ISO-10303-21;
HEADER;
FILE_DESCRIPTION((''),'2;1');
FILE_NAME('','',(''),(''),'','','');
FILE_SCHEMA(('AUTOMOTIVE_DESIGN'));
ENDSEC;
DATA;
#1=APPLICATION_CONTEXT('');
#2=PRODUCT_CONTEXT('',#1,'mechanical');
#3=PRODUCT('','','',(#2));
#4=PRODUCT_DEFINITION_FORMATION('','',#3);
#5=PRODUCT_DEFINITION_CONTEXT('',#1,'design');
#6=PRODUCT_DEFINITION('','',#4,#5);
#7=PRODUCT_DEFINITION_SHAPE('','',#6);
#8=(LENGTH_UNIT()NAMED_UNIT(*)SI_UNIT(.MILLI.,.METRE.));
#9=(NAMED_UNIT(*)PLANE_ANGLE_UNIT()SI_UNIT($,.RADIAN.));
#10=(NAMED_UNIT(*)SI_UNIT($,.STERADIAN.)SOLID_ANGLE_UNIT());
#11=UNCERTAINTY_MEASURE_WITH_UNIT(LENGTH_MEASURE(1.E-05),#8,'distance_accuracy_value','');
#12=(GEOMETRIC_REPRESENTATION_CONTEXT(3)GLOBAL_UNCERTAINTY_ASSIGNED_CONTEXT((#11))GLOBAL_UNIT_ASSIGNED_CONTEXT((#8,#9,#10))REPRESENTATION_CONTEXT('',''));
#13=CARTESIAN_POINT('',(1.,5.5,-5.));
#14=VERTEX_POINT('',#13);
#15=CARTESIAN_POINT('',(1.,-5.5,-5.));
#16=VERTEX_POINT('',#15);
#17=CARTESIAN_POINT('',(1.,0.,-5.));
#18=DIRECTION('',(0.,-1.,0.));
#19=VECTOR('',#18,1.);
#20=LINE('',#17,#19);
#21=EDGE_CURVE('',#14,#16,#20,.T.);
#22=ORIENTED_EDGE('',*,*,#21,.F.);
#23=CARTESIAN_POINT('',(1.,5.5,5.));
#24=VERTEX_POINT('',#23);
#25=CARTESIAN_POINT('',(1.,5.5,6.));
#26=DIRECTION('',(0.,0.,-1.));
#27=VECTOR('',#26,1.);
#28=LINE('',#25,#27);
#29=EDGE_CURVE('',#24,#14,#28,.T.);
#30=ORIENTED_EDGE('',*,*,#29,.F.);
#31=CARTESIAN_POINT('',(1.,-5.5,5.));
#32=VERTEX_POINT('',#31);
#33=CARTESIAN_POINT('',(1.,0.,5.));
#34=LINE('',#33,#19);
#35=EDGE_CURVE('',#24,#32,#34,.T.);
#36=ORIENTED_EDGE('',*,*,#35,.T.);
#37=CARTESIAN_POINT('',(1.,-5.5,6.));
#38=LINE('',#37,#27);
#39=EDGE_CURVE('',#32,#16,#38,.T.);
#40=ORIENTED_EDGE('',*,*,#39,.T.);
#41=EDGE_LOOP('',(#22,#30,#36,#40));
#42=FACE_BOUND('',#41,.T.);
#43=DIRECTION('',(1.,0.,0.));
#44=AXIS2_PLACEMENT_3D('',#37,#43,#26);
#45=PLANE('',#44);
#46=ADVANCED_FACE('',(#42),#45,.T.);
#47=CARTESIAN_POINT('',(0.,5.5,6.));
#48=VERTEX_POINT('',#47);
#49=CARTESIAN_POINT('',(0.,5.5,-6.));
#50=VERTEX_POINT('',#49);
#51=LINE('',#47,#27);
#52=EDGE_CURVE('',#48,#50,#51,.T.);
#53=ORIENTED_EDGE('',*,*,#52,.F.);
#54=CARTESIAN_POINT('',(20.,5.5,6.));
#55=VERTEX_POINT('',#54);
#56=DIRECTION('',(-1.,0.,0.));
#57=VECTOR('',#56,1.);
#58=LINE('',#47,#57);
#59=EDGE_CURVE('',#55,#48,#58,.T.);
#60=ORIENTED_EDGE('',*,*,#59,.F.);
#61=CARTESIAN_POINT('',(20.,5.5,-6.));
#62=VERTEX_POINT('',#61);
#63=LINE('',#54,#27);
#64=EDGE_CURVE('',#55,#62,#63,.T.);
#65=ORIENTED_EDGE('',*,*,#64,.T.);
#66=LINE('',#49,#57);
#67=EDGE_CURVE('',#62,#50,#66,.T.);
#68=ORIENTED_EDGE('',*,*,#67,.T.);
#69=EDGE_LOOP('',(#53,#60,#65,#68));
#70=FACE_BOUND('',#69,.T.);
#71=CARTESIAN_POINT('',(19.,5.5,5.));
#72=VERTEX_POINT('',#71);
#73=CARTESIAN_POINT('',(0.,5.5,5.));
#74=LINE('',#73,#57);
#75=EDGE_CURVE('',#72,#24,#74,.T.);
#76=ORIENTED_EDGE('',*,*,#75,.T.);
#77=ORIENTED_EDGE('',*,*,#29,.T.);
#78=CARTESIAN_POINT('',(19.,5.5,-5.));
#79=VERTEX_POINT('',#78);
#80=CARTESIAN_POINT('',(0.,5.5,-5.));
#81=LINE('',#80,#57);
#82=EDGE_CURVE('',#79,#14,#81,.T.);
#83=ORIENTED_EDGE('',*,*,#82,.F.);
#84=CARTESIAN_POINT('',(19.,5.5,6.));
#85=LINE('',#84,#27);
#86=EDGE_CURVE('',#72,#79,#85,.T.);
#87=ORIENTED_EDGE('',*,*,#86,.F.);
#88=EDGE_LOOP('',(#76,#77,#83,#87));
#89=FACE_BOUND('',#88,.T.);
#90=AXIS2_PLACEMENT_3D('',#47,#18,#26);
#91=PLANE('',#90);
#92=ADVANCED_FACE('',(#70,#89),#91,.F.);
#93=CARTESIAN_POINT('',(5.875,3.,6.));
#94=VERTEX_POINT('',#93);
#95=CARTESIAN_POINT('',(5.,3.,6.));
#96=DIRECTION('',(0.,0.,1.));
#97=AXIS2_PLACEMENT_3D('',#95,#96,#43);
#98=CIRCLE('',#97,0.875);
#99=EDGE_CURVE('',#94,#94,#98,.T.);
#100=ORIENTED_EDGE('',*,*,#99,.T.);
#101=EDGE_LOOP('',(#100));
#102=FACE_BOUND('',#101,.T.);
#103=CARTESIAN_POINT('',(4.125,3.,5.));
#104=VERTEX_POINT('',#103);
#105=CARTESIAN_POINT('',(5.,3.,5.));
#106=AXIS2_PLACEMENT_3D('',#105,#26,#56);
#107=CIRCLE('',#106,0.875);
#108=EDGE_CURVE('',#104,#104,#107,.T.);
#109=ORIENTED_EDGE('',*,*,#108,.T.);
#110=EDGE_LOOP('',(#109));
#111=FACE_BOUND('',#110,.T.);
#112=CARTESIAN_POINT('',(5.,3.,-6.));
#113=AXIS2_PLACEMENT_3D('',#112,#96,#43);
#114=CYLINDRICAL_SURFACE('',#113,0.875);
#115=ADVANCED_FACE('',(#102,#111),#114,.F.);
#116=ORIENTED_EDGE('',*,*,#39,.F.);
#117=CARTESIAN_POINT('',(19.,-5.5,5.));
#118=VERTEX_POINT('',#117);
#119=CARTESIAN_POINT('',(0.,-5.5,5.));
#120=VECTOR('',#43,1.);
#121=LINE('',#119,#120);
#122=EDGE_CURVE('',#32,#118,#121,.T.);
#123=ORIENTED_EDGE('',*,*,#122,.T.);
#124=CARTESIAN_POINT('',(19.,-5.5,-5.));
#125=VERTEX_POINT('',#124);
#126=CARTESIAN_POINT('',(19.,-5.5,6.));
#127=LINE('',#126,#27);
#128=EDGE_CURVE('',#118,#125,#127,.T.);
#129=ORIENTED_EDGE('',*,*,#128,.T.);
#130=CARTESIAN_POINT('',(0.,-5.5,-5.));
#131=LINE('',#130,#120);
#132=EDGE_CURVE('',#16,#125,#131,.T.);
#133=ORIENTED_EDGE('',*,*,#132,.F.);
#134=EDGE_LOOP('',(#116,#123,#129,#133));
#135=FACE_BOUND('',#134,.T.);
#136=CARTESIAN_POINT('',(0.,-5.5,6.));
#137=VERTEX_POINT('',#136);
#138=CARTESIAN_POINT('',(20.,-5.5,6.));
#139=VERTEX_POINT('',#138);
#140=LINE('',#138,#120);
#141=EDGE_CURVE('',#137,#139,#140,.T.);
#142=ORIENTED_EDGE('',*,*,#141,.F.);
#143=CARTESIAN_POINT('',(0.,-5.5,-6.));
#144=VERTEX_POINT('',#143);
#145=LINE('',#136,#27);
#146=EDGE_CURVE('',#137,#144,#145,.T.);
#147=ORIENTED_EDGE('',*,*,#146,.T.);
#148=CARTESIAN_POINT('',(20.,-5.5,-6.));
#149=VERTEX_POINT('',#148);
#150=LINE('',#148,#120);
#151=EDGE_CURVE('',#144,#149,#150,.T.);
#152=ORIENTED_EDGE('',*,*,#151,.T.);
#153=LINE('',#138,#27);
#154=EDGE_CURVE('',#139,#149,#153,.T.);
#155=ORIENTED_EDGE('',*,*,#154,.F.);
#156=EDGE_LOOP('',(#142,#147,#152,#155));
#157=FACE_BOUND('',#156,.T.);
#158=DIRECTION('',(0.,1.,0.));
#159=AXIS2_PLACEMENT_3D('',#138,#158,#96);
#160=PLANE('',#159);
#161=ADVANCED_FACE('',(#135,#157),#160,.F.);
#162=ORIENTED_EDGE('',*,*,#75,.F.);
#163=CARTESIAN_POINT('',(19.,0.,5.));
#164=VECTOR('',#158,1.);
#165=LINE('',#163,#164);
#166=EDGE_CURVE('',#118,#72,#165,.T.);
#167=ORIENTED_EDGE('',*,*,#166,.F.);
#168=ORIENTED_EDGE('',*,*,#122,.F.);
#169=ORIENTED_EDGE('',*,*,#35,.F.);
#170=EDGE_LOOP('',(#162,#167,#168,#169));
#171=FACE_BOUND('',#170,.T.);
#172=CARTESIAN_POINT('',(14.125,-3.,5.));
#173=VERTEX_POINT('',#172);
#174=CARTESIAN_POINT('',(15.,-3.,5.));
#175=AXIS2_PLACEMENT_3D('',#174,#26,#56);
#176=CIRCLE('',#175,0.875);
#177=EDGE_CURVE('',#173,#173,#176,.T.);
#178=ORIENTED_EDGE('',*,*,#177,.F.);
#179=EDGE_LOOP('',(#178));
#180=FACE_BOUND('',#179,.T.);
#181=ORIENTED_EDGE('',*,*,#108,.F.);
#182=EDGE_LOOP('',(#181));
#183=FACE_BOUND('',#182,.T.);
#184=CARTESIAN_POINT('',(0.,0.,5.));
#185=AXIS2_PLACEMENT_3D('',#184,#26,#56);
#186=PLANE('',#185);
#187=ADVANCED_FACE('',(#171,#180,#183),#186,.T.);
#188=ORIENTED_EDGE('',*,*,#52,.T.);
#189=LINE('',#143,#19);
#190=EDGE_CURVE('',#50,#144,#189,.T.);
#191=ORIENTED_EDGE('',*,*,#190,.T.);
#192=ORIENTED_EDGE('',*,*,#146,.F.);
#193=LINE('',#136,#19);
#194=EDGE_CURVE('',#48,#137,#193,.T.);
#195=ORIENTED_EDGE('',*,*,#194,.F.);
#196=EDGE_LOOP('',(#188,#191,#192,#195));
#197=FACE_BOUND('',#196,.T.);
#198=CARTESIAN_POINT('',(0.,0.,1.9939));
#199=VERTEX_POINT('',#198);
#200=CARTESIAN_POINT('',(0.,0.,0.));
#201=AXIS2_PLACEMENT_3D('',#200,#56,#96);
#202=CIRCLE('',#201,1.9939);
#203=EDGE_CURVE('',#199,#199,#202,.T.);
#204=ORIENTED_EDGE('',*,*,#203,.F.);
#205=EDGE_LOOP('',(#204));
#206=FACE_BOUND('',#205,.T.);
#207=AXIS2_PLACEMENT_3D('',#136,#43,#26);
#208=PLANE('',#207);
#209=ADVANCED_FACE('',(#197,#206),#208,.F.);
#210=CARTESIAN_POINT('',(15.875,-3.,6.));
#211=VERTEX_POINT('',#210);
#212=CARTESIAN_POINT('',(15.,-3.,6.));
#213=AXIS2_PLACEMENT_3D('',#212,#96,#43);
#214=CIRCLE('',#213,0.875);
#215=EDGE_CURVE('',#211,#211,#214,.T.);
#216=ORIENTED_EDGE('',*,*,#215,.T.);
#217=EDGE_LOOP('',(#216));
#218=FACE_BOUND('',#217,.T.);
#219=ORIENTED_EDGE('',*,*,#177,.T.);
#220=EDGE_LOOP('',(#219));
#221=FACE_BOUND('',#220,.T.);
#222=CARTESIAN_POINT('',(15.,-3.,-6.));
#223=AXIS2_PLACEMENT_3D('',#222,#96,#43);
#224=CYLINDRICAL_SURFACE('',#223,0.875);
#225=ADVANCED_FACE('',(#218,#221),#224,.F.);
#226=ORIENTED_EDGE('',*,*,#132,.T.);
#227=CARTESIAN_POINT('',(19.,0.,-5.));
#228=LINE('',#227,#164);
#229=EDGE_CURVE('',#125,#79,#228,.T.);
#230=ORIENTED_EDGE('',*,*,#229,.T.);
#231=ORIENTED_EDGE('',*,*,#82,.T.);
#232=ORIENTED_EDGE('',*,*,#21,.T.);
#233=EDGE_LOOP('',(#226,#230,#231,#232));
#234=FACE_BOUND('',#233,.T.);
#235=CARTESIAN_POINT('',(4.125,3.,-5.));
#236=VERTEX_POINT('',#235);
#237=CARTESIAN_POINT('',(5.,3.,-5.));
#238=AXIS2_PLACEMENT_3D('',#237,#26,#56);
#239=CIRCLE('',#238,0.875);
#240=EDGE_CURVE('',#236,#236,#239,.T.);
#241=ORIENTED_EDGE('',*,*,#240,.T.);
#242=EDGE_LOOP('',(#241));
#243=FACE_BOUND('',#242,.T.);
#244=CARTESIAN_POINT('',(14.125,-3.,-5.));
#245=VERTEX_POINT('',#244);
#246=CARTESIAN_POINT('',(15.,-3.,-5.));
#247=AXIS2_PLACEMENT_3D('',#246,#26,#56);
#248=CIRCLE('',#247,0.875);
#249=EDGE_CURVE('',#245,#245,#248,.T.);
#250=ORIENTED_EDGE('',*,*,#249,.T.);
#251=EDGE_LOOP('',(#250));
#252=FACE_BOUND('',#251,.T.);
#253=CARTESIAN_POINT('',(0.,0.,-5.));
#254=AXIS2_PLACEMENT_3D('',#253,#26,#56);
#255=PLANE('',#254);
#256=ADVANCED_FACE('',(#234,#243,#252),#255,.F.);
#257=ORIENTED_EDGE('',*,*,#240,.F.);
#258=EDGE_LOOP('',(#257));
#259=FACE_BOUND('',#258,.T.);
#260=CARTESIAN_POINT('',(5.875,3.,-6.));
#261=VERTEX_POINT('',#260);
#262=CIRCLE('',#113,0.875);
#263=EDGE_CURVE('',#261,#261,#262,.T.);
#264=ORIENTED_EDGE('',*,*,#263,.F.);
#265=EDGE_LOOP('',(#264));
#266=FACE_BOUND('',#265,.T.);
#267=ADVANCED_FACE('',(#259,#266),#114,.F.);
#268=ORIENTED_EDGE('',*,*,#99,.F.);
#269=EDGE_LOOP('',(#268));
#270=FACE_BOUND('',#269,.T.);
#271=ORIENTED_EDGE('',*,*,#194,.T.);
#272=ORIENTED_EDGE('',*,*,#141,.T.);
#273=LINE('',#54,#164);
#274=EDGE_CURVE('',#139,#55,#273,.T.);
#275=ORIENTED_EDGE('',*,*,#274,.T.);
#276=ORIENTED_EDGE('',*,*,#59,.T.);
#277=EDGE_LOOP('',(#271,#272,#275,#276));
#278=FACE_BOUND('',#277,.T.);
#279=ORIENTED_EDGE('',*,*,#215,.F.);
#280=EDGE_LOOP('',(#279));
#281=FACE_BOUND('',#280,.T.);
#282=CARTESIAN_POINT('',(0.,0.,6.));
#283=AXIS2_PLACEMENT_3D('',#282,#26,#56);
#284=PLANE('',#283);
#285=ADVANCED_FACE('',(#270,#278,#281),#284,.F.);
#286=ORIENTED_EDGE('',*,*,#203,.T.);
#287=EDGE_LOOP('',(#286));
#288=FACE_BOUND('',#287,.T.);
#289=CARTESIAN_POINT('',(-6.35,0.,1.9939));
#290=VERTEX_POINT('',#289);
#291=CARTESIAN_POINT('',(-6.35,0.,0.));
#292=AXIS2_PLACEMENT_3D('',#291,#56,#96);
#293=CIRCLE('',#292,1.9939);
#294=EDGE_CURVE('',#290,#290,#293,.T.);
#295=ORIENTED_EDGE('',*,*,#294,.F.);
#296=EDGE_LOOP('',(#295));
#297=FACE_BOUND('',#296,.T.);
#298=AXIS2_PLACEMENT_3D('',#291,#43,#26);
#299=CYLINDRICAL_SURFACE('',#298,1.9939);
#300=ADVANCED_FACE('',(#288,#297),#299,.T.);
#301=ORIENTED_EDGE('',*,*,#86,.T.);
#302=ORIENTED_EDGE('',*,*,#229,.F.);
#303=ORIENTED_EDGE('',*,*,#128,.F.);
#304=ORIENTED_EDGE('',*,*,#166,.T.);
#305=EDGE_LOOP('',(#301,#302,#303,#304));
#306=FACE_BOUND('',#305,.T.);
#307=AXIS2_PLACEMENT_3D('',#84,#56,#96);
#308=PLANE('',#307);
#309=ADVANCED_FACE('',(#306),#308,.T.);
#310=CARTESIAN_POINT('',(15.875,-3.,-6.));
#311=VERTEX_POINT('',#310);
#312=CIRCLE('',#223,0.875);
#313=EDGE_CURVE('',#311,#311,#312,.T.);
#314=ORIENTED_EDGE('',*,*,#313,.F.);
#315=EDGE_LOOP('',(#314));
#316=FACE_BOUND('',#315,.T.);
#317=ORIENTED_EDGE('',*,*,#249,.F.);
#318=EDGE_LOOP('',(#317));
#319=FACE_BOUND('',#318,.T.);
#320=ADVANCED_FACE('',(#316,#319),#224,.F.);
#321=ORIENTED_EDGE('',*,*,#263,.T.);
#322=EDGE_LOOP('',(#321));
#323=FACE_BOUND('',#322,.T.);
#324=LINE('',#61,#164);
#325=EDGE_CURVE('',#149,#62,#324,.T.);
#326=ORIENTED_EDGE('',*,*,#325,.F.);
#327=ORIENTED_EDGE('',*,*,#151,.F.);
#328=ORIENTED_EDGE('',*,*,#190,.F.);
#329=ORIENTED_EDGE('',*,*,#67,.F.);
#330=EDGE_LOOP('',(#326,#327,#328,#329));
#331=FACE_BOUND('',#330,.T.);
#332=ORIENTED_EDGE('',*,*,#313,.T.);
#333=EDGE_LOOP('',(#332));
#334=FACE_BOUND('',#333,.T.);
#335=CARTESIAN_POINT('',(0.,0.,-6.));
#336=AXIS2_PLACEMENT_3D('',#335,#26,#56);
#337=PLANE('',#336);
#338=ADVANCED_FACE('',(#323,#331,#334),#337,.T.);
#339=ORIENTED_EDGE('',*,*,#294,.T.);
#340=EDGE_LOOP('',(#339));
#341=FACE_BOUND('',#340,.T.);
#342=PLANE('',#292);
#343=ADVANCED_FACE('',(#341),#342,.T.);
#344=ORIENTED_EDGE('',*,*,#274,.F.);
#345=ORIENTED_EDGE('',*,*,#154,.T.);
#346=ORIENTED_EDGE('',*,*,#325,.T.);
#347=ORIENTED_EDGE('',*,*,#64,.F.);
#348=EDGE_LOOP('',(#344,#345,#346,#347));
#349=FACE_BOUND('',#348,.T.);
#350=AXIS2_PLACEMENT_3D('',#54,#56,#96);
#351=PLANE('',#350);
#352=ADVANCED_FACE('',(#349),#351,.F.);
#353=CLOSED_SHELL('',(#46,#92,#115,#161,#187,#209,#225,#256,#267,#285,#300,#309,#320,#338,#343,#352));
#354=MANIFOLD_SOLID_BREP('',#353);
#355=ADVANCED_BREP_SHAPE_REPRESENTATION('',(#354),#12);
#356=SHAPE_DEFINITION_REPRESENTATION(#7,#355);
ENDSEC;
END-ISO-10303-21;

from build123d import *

# Parameters (mm, degrees)
SKETCH1_W           = 20
SKETCH1_H           = 11
BOSS_EXTRUDE1_DEPTH = 6
SHELL1_T            = -1
SKETCH2_R           = 1.9939
BOSS_EXTRUDE2_DEPTH = 6.35
SKETCH3_R           = 0.875
CUT_EXTRUDE1_DEPTH  = 24.963513933


with BuildPart() as part:
    # Sketch1 → Boss-Extrude1 (new, symmetric)
    with BuildSketch(Plane.XY):
        with Locations((10, 0)):
            Rectangle(SKETCH1_W, SKETCH1_H)
    extrude(amount=BOSS_EXTRUDE1_DEPTH, both=True)

    # Shell1
    shell1_openings = [part.faces().sort_by_distance(p)[0] for p in [
        (10, 5.5, 0),
        (10, -5.5, 0),
    ]]
    offset(amount=SHELL1_T, openings=shell1_openings, kind=Kind.INTERSECTION)

    # Sketch2 → Boss-Extrude2 (add)
    with BuildSketch(Plane.ZY):
        Circle(SKETCH2_R)
    extrude(amount=BOSS_EXTRUDE2_DEPTH)

    # Sketch3 → Cut-Extrude1 (cut, through all)
    with BuildSketch(Plane.XY.offset(6)):
        with Locations((5, 3)):
            Circle(SKETCH3_R)
        with Locations((15, -3)):
            Circle(SKETCH3_R)
    extrude(amount=-CUT_EXTRUDE1_DEPTH, mode=Mode.SUBTRACT)


solid = part.part
